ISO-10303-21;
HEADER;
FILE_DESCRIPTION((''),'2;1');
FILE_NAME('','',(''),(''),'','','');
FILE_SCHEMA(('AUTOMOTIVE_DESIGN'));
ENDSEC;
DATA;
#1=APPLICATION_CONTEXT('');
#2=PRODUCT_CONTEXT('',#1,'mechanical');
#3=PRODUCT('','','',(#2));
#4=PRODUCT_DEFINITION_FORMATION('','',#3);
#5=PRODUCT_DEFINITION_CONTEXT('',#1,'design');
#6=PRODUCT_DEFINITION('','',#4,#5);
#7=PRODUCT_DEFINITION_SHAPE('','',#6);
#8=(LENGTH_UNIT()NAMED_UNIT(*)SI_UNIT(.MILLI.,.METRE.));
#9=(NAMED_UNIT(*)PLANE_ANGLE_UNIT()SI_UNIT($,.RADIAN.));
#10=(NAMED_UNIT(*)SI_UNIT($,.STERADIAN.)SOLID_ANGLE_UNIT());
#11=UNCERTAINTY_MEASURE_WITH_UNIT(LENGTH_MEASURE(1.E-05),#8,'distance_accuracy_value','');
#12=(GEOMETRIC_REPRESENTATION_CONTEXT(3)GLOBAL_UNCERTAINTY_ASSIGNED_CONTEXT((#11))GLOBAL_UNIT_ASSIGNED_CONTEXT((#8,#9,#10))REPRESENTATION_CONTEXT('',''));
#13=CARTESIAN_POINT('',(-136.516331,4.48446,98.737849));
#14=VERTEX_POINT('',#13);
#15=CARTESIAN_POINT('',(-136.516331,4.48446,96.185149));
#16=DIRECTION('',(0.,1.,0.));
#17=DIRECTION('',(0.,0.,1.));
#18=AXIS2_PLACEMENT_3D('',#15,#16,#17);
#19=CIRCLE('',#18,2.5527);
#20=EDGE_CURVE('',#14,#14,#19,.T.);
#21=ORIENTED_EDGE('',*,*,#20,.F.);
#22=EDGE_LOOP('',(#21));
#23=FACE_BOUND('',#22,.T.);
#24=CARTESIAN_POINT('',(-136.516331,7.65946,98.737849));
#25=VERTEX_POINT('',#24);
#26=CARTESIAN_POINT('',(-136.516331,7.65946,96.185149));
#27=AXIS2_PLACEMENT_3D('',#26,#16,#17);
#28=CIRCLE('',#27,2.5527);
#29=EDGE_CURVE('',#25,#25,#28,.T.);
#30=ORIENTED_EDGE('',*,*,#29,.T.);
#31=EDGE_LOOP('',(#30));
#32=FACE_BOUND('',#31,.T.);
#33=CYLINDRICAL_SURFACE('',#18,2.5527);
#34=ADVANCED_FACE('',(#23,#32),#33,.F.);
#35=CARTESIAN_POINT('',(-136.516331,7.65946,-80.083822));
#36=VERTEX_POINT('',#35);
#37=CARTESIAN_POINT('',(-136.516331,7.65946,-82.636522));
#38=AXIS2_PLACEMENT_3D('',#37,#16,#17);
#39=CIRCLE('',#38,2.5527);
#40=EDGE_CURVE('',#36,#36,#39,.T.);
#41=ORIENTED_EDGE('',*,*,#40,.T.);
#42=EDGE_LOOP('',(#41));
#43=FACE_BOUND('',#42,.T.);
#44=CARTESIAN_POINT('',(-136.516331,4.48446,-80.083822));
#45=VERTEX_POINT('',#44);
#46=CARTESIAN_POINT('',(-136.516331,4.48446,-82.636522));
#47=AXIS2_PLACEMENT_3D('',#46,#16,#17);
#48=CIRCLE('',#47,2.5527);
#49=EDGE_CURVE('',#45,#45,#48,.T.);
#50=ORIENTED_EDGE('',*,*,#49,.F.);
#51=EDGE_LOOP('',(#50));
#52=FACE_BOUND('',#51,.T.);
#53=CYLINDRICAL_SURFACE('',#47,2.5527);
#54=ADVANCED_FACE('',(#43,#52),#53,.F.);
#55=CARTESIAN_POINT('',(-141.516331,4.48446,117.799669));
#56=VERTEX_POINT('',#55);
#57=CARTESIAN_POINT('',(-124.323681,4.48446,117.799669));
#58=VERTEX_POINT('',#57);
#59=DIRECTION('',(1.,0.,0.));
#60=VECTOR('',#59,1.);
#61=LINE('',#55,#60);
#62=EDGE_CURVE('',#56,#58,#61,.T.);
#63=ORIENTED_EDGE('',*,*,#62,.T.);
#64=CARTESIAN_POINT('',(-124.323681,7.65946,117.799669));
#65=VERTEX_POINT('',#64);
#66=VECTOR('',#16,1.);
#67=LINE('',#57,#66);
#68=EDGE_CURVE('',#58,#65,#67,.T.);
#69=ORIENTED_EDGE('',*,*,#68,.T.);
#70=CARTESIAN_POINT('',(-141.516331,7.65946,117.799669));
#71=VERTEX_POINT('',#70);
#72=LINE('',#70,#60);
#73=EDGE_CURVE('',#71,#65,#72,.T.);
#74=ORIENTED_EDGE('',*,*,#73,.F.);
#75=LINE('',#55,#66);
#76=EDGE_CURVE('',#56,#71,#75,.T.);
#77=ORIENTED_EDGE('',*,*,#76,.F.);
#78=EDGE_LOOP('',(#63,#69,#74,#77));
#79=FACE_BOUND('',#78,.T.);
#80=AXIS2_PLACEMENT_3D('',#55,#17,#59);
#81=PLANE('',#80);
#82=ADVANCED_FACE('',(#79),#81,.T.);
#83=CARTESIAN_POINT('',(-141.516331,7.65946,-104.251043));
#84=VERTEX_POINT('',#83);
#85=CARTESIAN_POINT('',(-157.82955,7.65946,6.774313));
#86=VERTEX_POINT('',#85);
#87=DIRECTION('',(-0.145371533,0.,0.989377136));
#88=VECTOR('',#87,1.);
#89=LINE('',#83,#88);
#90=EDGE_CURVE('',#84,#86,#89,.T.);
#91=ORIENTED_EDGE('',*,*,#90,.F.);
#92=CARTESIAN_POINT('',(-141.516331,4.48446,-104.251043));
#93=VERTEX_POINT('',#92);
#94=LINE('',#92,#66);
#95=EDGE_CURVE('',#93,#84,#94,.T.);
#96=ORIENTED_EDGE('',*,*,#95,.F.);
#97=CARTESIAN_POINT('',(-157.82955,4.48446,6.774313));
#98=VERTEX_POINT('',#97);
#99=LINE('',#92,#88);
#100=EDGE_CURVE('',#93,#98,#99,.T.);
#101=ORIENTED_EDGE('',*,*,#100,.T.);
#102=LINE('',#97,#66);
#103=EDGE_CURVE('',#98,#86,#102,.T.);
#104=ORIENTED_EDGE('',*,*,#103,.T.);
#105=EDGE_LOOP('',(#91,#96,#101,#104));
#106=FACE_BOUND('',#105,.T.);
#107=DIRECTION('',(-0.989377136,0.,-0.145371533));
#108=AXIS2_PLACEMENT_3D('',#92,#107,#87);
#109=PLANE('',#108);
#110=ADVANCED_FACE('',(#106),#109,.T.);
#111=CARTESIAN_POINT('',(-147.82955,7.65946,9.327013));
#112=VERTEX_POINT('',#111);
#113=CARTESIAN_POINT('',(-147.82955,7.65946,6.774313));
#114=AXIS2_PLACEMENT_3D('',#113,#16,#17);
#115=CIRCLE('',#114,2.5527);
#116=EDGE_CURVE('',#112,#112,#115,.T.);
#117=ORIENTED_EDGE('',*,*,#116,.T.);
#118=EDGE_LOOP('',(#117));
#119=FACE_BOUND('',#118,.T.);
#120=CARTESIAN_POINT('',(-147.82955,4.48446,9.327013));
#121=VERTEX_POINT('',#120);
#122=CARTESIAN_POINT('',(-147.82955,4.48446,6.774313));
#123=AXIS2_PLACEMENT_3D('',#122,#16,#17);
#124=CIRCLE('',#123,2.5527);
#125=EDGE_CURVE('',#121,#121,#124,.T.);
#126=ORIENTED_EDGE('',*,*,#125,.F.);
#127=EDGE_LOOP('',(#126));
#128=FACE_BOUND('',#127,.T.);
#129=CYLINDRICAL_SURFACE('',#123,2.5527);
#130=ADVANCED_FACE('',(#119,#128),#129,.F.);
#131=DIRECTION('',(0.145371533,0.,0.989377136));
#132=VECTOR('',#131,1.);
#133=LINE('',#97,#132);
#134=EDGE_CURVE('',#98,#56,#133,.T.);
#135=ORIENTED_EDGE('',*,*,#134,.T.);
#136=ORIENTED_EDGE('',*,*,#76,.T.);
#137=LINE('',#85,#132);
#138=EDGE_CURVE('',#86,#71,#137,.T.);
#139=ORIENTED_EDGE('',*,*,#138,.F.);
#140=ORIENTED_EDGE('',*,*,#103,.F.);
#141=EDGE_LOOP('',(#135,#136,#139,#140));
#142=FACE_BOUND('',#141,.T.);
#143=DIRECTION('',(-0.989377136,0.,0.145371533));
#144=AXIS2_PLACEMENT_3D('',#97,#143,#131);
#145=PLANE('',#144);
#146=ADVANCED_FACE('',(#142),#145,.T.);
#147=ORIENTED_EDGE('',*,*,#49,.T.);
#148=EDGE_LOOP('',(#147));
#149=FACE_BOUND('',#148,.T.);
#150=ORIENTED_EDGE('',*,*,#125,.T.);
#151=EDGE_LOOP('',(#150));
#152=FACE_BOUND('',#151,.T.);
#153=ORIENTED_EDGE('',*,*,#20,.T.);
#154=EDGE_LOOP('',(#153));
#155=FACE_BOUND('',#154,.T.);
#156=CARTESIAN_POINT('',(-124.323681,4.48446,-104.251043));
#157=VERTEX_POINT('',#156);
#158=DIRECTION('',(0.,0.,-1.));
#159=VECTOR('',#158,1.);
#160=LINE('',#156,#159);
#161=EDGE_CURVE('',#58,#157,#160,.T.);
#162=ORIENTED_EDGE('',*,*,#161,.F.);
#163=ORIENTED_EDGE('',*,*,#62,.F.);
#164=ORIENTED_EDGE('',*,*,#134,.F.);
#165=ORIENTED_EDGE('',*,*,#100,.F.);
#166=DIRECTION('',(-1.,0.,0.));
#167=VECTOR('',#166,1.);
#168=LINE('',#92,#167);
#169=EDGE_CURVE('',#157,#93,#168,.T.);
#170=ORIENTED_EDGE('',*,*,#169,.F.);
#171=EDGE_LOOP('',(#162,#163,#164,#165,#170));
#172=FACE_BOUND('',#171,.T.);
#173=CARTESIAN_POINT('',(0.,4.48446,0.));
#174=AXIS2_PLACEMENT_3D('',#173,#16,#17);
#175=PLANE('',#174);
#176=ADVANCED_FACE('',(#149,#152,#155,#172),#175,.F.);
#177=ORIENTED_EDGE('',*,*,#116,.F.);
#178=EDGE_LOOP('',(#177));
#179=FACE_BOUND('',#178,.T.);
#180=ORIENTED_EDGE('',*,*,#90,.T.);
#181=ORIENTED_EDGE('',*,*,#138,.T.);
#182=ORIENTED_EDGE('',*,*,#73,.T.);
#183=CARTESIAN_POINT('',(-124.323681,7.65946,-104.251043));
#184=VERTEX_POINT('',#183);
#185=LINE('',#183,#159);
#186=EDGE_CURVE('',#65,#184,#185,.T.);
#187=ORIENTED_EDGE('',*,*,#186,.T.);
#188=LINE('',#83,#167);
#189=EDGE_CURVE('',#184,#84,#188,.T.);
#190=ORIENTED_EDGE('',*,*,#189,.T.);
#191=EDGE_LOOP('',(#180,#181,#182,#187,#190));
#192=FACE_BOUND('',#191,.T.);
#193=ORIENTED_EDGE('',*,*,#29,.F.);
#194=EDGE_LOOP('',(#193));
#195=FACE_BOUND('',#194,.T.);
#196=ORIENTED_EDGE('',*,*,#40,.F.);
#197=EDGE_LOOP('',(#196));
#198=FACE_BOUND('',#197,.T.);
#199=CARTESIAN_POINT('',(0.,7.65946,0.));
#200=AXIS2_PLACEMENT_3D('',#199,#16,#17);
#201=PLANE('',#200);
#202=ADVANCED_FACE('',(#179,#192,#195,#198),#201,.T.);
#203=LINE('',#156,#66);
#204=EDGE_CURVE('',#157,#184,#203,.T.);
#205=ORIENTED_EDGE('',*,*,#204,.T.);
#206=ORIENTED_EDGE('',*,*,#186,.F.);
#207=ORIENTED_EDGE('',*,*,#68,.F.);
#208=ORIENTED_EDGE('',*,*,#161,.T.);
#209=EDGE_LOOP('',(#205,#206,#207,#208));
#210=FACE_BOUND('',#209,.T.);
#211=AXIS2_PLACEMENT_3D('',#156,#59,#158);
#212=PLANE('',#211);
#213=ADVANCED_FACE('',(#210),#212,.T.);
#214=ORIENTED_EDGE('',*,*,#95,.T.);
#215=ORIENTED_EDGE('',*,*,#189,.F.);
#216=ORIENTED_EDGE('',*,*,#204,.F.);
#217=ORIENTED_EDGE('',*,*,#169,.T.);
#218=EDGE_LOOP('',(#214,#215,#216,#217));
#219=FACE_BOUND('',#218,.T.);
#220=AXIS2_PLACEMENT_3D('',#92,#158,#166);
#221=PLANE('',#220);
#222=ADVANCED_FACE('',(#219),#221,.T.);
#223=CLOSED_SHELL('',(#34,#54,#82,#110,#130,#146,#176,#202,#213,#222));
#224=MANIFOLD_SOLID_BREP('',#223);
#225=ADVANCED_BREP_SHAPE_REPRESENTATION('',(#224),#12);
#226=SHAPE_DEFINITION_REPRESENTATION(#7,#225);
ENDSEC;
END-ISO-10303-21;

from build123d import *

# Parameters (mm, degrees)
SKETCH1_R           = 2.5527
BOSS_EXTRUDE1_DEPTH = 3.175


with BuildPart() as part:
    # Sketch1 → Boss-Extrude1 (new body)
    with BuildSketch(Plane(origin=(0, 7.659460084, 0), x_dir=(1, 0, 0), z_dir=(0, 1, 0))):
        Polygon((-141.5163305, 104.251042847), (-124.323681089, 104.251042847), (-124.323681089, -117.799669373), (-141.5163305, -117.799669373), (-157.82954988, -6.774313263), align=None)
        with Locations(Location((-136.5163305, -96.185148791, 0), (0, 0, 270))):
            Circle(SKETCH1_R, mode=Mode.SUBTRACT)
        with Locations(Location((-147.82954988, -6.774313263, 0), (0, 0, 270))):
            Circle(SKETCH1_R, mode=Mode.SUBTRACT)
        with Locations(Location((-136.5163305, 82.636522264, 0), (0, 0, 270))):
            Circle(SKETCH1_R, mode=Mode.SUBTRACT)
    extrude(amount=-BOSS_EXTRUDE1_DEPTH)


solid = part.part
